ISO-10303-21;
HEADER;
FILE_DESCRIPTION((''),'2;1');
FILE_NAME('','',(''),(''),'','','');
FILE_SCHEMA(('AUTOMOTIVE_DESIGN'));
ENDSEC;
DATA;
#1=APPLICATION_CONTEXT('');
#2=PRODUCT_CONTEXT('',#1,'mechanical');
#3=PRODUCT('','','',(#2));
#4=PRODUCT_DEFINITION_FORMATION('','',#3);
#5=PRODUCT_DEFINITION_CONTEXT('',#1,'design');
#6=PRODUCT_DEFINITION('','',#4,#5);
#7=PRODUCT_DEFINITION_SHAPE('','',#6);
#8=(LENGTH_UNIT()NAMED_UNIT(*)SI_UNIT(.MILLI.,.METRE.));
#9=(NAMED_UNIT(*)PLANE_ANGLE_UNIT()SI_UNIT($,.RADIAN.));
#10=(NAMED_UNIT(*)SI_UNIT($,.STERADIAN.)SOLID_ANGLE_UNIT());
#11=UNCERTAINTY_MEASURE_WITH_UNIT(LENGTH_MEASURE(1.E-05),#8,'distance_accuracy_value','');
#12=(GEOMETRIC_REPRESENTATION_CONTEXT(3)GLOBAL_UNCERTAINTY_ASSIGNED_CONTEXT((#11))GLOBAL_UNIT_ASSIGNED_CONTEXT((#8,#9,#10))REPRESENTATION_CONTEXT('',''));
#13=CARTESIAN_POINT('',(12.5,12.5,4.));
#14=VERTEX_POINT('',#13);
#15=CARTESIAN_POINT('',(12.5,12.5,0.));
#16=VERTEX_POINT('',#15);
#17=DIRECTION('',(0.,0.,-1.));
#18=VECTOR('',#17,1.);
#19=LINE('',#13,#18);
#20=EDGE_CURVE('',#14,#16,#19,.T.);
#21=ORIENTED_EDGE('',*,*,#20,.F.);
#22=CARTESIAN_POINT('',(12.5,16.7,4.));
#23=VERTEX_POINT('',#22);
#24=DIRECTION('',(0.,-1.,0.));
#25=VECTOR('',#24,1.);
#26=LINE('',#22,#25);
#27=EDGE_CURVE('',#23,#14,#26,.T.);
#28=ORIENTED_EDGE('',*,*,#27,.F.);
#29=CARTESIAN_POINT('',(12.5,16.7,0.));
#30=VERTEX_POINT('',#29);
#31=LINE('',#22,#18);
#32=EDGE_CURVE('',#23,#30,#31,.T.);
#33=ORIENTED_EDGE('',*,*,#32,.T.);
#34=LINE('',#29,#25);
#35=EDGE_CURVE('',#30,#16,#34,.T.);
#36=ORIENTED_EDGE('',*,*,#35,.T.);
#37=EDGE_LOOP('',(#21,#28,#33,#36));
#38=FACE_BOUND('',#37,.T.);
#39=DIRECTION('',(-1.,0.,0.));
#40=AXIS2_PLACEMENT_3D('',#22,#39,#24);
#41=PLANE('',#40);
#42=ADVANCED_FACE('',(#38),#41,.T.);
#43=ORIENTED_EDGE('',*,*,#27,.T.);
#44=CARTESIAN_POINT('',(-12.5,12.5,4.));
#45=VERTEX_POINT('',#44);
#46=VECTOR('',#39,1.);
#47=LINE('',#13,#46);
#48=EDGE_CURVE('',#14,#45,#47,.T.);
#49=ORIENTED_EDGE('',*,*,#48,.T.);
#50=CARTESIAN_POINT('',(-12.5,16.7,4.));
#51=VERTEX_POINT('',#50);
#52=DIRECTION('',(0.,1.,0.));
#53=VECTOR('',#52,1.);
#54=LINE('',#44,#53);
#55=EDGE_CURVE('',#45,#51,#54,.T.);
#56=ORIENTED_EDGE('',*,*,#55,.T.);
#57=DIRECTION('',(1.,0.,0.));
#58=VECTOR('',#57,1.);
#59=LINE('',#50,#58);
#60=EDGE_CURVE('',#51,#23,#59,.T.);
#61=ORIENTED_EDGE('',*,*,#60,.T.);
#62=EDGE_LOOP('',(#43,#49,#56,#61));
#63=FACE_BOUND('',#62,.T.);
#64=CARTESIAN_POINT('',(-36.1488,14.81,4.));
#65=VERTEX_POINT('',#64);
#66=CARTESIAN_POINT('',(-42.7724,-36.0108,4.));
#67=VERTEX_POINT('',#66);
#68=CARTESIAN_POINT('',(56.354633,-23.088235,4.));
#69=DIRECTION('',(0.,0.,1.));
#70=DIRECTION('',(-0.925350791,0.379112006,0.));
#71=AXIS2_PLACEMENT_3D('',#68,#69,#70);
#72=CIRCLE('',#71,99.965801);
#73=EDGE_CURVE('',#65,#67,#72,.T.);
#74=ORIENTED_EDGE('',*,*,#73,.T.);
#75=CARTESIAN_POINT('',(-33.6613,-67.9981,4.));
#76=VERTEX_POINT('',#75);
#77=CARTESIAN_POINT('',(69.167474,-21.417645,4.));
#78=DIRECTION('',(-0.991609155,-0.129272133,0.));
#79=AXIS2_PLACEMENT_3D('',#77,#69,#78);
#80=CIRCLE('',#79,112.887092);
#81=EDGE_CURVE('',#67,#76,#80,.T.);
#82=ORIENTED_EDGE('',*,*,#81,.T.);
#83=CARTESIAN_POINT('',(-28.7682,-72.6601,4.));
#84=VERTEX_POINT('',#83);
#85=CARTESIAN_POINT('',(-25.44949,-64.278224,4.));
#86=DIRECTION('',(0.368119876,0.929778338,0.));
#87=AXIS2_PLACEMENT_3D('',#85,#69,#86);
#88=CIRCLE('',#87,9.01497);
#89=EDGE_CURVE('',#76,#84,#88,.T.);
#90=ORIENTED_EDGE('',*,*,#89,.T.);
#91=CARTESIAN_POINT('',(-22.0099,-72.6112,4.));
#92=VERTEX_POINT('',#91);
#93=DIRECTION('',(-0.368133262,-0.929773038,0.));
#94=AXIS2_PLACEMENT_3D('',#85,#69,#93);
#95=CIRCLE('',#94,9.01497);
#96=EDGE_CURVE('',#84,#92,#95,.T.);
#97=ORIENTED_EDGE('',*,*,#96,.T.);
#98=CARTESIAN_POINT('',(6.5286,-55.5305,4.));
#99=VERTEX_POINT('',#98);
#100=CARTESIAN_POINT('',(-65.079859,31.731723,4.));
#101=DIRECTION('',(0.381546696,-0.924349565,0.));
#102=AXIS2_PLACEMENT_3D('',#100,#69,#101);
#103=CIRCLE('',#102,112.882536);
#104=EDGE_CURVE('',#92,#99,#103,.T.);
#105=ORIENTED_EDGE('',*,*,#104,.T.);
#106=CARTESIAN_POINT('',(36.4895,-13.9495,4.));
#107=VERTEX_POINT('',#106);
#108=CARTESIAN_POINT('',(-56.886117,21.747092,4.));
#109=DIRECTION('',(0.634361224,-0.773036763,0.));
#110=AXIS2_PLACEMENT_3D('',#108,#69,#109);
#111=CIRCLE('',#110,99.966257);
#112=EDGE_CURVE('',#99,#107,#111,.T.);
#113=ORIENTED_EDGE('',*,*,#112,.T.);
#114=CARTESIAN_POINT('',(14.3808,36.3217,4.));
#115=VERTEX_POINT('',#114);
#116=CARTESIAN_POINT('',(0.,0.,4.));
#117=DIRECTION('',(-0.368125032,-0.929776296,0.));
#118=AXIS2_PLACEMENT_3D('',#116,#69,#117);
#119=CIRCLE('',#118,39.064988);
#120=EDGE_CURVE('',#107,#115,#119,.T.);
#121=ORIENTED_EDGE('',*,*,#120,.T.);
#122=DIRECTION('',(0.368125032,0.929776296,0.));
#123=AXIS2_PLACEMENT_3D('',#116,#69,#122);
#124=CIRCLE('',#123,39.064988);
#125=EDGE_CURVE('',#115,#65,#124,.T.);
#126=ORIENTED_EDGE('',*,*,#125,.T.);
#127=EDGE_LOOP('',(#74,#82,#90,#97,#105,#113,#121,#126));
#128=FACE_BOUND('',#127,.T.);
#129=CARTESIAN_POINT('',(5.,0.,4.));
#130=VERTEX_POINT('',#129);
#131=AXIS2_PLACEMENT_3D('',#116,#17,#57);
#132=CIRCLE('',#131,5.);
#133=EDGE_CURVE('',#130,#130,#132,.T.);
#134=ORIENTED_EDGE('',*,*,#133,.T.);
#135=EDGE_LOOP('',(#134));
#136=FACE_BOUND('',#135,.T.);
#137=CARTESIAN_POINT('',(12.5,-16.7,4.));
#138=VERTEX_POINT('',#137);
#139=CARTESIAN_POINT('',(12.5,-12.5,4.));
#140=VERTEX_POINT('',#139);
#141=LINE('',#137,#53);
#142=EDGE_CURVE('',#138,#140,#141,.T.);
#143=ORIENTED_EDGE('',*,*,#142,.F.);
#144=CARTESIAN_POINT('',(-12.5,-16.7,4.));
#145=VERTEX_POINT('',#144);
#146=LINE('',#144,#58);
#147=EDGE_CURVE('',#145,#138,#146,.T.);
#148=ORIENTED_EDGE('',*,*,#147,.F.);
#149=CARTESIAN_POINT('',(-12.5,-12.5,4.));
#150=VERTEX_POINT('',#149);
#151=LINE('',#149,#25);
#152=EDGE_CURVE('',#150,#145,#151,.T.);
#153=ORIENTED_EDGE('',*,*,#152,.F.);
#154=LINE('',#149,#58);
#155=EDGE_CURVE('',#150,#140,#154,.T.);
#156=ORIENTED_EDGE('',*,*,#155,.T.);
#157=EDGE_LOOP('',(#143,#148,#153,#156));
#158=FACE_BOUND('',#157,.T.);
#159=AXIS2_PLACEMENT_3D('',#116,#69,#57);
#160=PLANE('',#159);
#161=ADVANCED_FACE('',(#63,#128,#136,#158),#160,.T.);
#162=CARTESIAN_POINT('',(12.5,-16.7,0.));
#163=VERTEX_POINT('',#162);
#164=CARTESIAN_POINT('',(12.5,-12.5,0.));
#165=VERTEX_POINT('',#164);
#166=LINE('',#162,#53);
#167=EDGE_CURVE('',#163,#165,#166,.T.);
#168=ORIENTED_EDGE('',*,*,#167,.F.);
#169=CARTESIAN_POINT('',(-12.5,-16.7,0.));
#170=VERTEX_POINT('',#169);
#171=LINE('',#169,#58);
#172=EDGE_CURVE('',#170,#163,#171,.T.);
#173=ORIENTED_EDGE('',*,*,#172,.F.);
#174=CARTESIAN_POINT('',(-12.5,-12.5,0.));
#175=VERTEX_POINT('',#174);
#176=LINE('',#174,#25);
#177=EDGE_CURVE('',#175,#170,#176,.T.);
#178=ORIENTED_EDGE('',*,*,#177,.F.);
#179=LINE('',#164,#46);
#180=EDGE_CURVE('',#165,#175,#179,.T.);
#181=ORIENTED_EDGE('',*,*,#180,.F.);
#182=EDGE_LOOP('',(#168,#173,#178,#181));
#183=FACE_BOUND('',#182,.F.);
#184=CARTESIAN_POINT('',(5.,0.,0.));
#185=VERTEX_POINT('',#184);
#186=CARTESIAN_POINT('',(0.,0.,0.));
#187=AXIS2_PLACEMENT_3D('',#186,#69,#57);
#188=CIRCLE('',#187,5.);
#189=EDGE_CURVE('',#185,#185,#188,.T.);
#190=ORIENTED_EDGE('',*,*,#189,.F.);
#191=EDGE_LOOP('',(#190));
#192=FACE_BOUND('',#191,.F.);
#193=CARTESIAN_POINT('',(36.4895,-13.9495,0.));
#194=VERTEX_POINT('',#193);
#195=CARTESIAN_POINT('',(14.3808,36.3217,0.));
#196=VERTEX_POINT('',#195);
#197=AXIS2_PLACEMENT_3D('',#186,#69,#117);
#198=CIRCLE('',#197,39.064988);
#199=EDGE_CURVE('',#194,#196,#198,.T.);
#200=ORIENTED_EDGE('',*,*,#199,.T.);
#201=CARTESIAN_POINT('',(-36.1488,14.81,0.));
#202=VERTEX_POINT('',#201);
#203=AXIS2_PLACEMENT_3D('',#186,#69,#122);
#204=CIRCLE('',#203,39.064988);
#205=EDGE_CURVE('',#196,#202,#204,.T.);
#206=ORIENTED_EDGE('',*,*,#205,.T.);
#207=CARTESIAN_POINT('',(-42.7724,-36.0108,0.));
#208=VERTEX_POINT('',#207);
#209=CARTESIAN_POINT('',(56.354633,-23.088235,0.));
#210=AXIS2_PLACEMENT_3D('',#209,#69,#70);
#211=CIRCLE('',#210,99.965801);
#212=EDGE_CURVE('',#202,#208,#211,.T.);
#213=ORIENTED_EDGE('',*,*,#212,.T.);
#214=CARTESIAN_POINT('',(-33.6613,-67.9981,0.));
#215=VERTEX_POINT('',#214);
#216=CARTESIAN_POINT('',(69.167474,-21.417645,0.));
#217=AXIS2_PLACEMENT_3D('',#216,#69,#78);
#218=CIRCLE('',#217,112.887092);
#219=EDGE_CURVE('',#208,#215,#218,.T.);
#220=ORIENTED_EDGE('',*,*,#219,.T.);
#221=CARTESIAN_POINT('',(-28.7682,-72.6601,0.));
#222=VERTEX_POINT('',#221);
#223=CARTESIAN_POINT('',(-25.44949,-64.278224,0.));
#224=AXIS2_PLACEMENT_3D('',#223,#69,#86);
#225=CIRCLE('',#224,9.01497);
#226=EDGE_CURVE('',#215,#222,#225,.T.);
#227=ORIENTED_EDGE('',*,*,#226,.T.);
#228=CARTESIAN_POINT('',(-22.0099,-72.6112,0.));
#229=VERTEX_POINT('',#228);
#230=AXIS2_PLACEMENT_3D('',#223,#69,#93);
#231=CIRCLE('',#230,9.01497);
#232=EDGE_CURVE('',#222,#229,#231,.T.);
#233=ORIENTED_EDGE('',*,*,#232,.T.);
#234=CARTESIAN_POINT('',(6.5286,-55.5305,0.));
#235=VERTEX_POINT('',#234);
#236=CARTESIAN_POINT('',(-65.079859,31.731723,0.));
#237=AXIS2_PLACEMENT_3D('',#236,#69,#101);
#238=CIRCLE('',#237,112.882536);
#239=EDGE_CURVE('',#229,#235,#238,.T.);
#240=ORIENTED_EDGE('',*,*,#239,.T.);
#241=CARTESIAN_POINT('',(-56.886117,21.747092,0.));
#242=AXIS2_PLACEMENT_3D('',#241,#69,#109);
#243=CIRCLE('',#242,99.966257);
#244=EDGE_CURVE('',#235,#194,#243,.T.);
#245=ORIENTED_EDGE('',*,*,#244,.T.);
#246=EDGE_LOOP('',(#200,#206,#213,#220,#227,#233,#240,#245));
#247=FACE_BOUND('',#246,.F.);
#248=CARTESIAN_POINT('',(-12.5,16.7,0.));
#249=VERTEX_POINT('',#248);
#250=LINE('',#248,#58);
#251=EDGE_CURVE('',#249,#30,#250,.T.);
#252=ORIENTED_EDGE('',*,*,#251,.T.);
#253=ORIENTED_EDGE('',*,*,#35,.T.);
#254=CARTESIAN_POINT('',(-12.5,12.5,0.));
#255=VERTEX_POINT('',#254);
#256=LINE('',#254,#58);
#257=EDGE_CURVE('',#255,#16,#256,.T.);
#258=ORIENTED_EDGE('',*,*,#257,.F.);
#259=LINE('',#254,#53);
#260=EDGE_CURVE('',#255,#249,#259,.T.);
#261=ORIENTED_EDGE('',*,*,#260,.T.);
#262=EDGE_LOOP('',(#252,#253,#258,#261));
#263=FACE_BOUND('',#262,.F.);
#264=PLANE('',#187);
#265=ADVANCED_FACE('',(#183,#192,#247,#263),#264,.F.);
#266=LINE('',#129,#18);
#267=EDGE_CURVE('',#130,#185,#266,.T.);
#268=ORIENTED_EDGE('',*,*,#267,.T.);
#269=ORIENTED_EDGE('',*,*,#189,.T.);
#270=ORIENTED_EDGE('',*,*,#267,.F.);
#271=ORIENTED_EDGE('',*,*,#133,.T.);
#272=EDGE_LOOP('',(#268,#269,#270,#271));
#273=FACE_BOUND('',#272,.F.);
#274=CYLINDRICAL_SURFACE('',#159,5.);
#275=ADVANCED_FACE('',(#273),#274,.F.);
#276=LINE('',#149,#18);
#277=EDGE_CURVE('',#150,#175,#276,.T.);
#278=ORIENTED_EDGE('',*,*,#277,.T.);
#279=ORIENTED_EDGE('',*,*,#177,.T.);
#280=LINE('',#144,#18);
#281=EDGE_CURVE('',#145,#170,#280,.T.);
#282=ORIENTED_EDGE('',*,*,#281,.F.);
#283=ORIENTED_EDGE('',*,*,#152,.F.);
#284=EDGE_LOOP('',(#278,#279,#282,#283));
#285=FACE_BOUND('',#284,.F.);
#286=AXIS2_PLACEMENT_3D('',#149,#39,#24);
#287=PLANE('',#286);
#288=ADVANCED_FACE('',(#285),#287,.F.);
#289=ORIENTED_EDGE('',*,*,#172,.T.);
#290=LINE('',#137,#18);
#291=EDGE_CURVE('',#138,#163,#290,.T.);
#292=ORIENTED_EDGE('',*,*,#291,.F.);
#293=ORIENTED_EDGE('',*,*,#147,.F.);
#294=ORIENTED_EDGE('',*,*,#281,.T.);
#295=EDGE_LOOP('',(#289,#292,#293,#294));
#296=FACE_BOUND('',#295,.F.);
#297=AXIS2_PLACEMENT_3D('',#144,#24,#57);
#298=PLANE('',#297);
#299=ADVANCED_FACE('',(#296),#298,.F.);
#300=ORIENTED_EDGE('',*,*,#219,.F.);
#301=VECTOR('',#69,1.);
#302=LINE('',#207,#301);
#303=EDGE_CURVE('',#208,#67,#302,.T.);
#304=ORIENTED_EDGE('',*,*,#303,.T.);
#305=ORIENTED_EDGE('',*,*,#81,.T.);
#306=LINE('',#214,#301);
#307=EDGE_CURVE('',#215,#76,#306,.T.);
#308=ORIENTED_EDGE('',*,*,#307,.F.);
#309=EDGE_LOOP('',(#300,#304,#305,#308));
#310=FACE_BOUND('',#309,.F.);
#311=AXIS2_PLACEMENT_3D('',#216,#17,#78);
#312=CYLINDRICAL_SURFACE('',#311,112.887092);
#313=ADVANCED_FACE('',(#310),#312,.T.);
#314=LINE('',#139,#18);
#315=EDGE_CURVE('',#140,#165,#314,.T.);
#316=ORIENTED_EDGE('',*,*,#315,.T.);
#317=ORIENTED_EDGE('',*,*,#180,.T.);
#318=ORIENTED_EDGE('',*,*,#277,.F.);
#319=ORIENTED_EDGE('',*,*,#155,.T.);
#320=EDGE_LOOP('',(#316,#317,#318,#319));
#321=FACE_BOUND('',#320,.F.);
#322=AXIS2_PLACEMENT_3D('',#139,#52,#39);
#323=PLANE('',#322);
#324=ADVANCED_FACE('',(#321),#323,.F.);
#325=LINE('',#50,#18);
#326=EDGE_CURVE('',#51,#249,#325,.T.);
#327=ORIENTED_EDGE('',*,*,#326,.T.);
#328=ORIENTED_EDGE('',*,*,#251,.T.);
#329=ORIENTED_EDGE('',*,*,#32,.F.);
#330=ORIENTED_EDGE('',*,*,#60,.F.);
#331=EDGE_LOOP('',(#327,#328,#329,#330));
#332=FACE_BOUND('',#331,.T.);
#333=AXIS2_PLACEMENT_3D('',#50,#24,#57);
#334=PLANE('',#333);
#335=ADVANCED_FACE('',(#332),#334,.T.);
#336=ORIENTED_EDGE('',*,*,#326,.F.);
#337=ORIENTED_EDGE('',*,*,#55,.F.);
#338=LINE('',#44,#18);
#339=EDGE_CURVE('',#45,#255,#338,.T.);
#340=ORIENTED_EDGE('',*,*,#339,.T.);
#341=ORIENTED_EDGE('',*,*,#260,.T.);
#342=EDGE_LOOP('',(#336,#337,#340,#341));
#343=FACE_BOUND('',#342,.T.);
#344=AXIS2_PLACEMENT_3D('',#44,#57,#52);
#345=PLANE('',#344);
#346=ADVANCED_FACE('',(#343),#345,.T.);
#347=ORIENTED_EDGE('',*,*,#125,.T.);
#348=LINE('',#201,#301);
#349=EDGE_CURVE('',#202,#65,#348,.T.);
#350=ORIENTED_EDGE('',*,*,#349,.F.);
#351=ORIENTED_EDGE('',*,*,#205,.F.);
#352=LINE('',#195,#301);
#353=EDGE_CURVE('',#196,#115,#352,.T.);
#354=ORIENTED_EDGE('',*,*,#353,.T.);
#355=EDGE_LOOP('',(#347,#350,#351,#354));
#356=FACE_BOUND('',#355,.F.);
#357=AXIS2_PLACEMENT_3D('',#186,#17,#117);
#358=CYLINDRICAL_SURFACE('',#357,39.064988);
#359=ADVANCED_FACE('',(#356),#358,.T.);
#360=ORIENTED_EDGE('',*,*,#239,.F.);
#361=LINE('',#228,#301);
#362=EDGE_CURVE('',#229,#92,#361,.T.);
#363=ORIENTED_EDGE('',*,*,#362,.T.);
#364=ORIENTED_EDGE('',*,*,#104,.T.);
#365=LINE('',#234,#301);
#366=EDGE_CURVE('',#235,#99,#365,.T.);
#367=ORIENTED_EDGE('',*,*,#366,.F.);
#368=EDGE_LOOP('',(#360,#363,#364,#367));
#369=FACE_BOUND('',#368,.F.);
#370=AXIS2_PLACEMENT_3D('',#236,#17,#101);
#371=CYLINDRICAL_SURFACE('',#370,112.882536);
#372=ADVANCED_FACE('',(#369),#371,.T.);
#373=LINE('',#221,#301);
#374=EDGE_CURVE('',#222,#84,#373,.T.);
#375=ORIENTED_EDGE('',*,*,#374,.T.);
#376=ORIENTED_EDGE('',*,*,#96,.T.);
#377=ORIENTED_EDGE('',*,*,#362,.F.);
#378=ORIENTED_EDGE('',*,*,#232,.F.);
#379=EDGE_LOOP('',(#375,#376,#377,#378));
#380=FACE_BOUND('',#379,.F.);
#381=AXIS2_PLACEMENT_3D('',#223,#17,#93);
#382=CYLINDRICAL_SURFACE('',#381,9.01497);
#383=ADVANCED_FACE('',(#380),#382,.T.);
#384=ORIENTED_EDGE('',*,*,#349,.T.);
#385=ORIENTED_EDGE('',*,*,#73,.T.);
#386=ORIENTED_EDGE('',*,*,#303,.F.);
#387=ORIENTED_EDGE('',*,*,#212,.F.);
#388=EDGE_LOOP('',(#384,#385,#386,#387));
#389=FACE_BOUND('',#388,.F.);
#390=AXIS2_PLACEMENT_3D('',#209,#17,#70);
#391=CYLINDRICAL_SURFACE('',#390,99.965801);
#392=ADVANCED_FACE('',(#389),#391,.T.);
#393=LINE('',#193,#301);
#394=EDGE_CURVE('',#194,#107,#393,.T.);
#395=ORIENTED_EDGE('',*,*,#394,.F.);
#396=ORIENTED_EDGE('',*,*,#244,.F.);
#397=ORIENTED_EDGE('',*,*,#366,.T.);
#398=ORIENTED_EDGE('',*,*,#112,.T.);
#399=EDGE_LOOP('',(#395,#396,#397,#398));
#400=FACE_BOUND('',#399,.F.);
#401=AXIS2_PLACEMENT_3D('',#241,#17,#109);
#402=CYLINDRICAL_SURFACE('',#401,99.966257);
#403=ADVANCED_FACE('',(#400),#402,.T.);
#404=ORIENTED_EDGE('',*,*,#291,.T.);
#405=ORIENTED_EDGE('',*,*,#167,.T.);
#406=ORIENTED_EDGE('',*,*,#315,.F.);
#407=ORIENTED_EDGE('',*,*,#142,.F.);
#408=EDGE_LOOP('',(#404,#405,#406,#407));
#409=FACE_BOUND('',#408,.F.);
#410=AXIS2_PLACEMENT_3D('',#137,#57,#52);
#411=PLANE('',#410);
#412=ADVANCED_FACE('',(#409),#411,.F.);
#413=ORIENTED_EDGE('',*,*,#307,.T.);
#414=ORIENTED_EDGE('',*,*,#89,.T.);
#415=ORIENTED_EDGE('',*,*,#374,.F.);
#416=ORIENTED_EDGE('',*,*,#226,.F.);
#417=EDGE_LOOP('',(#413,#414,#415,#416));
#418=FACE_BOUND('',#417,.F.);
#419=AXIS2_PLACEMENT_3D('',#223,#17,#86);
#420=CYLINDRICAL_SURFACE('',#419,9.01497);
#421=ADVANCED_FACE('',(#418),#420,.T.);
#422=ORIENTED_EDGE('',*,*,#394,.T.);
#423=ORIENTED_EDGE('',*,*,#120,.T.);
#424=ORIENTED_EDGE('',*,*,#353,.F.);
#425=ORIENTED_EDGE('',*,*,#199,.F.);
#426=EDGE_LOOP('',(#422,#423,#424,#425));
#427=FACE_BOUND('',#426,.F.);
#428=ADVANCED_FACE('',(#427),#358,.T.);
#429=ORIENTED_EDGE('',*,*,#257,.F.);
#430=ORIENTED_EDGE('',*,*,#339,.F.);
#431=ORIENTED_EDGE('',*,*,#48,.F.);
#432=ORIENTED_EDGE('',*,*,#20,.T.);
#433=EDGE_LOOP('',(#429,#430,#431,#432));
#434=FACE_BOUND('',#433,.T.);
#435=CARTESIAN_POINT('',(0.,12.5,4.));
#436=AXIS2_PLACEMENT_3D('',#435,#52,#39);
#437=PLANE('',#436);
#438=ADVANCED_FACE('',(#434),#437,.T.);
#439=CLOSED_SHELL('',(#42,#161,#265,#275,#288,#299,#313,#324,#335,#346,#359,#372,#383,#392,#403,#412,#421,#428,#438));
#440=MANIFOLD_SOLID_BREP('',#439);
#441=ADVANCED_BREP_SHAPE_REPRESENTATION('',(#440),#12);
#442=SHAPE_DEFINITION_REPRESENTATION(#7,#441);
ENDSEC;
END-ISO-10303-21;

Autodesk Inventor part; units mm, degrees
ref_plane "YZ Plane" through (0, 0, 0) normal (1, 0, 0) x (0, 1, 0)
ref_plane "XZ Plane" through (0, 0, 0) normal (0, 1, 0) x (-1, 0, 0)
ref_plane "XY Plane" through (0, 0, 0) normal (0, 0, 1) x (1, 0, 0)
sketch "Boceto1" plane through (0, 0, 0) normal (0, 0, 1) x (1, 0, 0)
  arc A0 (14.3808, 36.3217) -> (-14.3808, -36.3217) centre (0, 0) ccw
  arc A1 (-22.1309, -55.8963) -> (-28.7682, -72.6601) centre (-25.4495, -64.2782) ccw
  line L0 (-29.729, -75.0869) -> (-38.111, -71.7683)
  line L1 (-36.1488, 14.81) -> (-50.1187, 20.3411)
  line L2 (-50.1187, 20.3411) -> (-38.111, -71.7683)
  line L3 (-38.111, -71.7683) -> (-42.7724, -36.0108)
  arc A2 (-36.1488, 14.81) -> (-42.7724, -36.0108) centre (56.3545, -23.0882) ccw
  arc A3 (-42.7724, -36.0108) -> (-33.6613, -67.9981) centre (69.1643, -21.4183) ccw
  line L4 (1.1062, 2.794) -> (14.3808, 36.3217)
  line L5 (-1.1062, -2.794) -> (-29.729, -75.0869)
  arc A4 (-14.3808, -36.3217) -> (14.3808, 36.3217) centre (0, 0) ccw
  arc A5 (-28.7682, -72.6601) -> (-22.1309, -55.8963) centre (-25.4495, -64.2782) ccw
  line L6 (-29.729, -75.0869) -> (-21.3471, -78.4056)
  line L7 (36.4895, -13.9495) -> (50.4594, -19.4806)
  line L8 (50.4594, -19.4806) -> (-21.3471, -78.4056)
  line L9 (-21.3471, -78.4056) -> (6.5286, -55.5305)
  arc A6 (6.5286, -55.5305) -> (36.4895, -13.9495) centre (-56.8857, 21.7467) ccw
  arc A7 (-22.0099, -72.6112) -> (6.5286, -55.5305) centre (-65.0805, 31.733) ccw
  dimension "d0" = 78.13
  dimension "d6" = 18.03
  dimension "d7" = 9.015
  dimension "d8" = 15.025
  dimension "d9" = 36.06
extrude "Extrusión2" add sketch "Boceto1" along normal blind 4 contours A4 A0 | A0 L5 A1 A3 A2 | A6 A7 A5 L5 A4 | L5 A1 | A5 L5
sketch "Boceto2" plane through (0, 0, 4) normal (0, 0, 1) x (1, 0, 0)
  line L0 (0, 0) -> (0, 12.5)
  line L1 (0, 12.5) -> (-12.5, 12.5)
  line L2 (-12.5, 12.5) -> (-12.5, 16.7)
  line L3 (-12.5, 16.7) -> (12.5, 16.7)
  line L4 (12.5, 16.7) -> (12.5, 12.5)
  line L5 (12.5, 12.5) -> (0, 12.5)
  line L6 (0, 0) -> (12.5, 0)
  line L7 (0, 0) -> (0, -12.5)
  line L8 (0, -12.5) -> (-12.5, -12.5)
  line L9 (-12.5, -12.5) -> (-12.5, -16.7)
  line L10 (-12.5, -16.7) -> (12.5, -16.7)
  line L11 (12.5, -16.7) -> (12.5, -12.5)
  line L12 (12.5, -12.5) -> (0, -12.5)
  circle A0 centre (0, 0) radius 5
  dimension "d24" = 12.5
  dimension "d25" = 12.5
  dimension "d26" = 4.2
  dimension "d27" = 25
  dimension "d28" = 10
extrude "Extrusión3" cut sketch "Boceto2" against normal blind 4
properties part number "leva00" material "Madera (abedul)"
